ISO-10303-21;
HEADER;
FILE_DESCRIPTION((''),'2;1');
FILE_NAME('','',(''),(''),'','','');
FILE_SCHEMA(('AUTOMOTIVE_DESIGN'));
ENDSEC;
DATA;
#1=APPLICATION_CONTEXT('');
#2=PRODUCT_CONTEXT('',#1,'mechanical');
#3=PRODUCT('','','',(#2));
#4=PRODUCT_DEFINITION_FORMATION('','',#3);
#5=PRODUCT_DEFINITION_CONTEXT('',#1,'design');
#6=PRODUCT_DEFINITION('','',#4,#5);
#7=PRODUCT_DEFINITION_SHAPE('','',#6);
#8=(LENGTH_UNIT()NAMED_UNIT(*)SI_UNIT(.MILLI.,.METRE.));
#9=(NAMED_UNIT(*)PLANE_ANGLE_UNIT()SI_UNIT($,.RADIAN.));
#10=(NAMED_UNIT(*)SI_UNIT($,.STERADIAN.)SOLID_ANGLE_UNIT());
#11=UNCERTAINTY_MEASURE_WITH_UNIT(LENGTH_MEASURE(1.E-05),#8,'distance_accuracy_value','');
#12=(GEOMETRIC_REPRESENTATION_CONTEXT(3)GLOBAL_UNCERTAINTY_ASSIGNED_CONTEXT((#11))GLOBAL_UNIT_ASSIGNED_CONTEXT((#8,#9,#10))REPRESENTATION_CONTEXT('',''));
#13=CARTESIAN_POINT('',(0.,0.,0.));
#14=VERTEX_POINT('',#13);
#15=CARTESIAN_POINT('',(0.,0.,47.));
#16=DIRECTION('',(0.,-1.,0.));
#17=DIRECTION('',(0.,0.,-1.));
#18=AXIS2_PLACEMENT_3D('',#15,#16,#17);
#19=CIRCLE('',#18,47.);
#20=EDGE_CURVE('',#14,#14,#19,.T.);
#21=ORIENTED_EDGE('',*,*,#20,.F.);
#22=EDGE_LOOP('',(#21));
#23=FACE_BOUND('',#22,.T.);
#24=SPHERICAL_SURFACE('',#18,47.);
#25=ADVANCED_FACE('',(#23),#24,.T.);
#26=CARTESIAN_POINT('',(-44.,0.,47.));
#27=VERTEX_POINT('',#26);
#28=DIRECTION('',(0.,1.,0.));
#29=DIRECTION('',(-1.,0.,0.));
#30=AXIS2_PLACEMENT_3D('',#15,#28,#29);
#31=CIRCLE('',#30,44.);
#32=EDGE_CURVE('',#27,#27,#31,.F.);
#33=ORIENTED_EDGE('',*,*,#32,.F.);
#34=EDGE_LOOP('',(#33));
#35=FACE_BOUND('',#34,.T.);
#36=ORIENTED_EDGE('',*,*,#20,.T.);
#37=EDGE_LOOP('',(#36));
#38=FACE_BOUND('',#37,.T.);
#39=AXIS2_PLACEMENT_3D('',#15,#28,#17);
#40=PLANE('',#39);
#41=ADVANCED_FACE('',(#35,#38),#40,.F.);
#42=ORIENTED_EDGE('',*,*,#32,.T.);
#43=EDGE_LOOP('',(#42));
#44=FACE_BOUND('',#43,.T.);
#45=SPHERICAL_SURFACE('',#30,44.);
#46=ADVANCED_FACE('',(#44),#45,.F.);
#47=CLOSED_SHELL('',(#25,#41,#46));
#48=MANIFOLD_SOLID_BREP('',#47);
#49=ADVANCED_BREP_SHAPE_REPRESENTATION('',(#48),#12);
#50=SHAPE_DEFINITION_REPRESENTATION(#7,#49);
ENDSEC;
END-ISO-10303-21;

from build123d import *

# Parameters (mm, degrees)
REVOLVE_1_ANGLE = 180
SHELL_3_T       = -3


with BuildPart() as part:
    # 草图1 → 旋转1 (revolve)
    with BuildSketch(Plane(origin=(0, 0, 0), x_dir=(1, 0, 0), z_dir=(0, 1, 0))):
        with BuildLine():
            Line((0, 0), (0, -94))
            ThreePointArc((0, -94), (47, -47), (0, 0))
        make_face()
    revolve(axis=Axis((0, 0, 0), (0, 0, 1)), revolution_arc=REVOLVE_1_ANGLE)

    # 抽壳3
    shell_3_openings = [part.faces().sort_by_distance(p)[0] for p in [
        (0, 0, 47),
    ]]
    offset(amount=SHELL_3_T, openings=shell_3_openings)


solid = part.part
